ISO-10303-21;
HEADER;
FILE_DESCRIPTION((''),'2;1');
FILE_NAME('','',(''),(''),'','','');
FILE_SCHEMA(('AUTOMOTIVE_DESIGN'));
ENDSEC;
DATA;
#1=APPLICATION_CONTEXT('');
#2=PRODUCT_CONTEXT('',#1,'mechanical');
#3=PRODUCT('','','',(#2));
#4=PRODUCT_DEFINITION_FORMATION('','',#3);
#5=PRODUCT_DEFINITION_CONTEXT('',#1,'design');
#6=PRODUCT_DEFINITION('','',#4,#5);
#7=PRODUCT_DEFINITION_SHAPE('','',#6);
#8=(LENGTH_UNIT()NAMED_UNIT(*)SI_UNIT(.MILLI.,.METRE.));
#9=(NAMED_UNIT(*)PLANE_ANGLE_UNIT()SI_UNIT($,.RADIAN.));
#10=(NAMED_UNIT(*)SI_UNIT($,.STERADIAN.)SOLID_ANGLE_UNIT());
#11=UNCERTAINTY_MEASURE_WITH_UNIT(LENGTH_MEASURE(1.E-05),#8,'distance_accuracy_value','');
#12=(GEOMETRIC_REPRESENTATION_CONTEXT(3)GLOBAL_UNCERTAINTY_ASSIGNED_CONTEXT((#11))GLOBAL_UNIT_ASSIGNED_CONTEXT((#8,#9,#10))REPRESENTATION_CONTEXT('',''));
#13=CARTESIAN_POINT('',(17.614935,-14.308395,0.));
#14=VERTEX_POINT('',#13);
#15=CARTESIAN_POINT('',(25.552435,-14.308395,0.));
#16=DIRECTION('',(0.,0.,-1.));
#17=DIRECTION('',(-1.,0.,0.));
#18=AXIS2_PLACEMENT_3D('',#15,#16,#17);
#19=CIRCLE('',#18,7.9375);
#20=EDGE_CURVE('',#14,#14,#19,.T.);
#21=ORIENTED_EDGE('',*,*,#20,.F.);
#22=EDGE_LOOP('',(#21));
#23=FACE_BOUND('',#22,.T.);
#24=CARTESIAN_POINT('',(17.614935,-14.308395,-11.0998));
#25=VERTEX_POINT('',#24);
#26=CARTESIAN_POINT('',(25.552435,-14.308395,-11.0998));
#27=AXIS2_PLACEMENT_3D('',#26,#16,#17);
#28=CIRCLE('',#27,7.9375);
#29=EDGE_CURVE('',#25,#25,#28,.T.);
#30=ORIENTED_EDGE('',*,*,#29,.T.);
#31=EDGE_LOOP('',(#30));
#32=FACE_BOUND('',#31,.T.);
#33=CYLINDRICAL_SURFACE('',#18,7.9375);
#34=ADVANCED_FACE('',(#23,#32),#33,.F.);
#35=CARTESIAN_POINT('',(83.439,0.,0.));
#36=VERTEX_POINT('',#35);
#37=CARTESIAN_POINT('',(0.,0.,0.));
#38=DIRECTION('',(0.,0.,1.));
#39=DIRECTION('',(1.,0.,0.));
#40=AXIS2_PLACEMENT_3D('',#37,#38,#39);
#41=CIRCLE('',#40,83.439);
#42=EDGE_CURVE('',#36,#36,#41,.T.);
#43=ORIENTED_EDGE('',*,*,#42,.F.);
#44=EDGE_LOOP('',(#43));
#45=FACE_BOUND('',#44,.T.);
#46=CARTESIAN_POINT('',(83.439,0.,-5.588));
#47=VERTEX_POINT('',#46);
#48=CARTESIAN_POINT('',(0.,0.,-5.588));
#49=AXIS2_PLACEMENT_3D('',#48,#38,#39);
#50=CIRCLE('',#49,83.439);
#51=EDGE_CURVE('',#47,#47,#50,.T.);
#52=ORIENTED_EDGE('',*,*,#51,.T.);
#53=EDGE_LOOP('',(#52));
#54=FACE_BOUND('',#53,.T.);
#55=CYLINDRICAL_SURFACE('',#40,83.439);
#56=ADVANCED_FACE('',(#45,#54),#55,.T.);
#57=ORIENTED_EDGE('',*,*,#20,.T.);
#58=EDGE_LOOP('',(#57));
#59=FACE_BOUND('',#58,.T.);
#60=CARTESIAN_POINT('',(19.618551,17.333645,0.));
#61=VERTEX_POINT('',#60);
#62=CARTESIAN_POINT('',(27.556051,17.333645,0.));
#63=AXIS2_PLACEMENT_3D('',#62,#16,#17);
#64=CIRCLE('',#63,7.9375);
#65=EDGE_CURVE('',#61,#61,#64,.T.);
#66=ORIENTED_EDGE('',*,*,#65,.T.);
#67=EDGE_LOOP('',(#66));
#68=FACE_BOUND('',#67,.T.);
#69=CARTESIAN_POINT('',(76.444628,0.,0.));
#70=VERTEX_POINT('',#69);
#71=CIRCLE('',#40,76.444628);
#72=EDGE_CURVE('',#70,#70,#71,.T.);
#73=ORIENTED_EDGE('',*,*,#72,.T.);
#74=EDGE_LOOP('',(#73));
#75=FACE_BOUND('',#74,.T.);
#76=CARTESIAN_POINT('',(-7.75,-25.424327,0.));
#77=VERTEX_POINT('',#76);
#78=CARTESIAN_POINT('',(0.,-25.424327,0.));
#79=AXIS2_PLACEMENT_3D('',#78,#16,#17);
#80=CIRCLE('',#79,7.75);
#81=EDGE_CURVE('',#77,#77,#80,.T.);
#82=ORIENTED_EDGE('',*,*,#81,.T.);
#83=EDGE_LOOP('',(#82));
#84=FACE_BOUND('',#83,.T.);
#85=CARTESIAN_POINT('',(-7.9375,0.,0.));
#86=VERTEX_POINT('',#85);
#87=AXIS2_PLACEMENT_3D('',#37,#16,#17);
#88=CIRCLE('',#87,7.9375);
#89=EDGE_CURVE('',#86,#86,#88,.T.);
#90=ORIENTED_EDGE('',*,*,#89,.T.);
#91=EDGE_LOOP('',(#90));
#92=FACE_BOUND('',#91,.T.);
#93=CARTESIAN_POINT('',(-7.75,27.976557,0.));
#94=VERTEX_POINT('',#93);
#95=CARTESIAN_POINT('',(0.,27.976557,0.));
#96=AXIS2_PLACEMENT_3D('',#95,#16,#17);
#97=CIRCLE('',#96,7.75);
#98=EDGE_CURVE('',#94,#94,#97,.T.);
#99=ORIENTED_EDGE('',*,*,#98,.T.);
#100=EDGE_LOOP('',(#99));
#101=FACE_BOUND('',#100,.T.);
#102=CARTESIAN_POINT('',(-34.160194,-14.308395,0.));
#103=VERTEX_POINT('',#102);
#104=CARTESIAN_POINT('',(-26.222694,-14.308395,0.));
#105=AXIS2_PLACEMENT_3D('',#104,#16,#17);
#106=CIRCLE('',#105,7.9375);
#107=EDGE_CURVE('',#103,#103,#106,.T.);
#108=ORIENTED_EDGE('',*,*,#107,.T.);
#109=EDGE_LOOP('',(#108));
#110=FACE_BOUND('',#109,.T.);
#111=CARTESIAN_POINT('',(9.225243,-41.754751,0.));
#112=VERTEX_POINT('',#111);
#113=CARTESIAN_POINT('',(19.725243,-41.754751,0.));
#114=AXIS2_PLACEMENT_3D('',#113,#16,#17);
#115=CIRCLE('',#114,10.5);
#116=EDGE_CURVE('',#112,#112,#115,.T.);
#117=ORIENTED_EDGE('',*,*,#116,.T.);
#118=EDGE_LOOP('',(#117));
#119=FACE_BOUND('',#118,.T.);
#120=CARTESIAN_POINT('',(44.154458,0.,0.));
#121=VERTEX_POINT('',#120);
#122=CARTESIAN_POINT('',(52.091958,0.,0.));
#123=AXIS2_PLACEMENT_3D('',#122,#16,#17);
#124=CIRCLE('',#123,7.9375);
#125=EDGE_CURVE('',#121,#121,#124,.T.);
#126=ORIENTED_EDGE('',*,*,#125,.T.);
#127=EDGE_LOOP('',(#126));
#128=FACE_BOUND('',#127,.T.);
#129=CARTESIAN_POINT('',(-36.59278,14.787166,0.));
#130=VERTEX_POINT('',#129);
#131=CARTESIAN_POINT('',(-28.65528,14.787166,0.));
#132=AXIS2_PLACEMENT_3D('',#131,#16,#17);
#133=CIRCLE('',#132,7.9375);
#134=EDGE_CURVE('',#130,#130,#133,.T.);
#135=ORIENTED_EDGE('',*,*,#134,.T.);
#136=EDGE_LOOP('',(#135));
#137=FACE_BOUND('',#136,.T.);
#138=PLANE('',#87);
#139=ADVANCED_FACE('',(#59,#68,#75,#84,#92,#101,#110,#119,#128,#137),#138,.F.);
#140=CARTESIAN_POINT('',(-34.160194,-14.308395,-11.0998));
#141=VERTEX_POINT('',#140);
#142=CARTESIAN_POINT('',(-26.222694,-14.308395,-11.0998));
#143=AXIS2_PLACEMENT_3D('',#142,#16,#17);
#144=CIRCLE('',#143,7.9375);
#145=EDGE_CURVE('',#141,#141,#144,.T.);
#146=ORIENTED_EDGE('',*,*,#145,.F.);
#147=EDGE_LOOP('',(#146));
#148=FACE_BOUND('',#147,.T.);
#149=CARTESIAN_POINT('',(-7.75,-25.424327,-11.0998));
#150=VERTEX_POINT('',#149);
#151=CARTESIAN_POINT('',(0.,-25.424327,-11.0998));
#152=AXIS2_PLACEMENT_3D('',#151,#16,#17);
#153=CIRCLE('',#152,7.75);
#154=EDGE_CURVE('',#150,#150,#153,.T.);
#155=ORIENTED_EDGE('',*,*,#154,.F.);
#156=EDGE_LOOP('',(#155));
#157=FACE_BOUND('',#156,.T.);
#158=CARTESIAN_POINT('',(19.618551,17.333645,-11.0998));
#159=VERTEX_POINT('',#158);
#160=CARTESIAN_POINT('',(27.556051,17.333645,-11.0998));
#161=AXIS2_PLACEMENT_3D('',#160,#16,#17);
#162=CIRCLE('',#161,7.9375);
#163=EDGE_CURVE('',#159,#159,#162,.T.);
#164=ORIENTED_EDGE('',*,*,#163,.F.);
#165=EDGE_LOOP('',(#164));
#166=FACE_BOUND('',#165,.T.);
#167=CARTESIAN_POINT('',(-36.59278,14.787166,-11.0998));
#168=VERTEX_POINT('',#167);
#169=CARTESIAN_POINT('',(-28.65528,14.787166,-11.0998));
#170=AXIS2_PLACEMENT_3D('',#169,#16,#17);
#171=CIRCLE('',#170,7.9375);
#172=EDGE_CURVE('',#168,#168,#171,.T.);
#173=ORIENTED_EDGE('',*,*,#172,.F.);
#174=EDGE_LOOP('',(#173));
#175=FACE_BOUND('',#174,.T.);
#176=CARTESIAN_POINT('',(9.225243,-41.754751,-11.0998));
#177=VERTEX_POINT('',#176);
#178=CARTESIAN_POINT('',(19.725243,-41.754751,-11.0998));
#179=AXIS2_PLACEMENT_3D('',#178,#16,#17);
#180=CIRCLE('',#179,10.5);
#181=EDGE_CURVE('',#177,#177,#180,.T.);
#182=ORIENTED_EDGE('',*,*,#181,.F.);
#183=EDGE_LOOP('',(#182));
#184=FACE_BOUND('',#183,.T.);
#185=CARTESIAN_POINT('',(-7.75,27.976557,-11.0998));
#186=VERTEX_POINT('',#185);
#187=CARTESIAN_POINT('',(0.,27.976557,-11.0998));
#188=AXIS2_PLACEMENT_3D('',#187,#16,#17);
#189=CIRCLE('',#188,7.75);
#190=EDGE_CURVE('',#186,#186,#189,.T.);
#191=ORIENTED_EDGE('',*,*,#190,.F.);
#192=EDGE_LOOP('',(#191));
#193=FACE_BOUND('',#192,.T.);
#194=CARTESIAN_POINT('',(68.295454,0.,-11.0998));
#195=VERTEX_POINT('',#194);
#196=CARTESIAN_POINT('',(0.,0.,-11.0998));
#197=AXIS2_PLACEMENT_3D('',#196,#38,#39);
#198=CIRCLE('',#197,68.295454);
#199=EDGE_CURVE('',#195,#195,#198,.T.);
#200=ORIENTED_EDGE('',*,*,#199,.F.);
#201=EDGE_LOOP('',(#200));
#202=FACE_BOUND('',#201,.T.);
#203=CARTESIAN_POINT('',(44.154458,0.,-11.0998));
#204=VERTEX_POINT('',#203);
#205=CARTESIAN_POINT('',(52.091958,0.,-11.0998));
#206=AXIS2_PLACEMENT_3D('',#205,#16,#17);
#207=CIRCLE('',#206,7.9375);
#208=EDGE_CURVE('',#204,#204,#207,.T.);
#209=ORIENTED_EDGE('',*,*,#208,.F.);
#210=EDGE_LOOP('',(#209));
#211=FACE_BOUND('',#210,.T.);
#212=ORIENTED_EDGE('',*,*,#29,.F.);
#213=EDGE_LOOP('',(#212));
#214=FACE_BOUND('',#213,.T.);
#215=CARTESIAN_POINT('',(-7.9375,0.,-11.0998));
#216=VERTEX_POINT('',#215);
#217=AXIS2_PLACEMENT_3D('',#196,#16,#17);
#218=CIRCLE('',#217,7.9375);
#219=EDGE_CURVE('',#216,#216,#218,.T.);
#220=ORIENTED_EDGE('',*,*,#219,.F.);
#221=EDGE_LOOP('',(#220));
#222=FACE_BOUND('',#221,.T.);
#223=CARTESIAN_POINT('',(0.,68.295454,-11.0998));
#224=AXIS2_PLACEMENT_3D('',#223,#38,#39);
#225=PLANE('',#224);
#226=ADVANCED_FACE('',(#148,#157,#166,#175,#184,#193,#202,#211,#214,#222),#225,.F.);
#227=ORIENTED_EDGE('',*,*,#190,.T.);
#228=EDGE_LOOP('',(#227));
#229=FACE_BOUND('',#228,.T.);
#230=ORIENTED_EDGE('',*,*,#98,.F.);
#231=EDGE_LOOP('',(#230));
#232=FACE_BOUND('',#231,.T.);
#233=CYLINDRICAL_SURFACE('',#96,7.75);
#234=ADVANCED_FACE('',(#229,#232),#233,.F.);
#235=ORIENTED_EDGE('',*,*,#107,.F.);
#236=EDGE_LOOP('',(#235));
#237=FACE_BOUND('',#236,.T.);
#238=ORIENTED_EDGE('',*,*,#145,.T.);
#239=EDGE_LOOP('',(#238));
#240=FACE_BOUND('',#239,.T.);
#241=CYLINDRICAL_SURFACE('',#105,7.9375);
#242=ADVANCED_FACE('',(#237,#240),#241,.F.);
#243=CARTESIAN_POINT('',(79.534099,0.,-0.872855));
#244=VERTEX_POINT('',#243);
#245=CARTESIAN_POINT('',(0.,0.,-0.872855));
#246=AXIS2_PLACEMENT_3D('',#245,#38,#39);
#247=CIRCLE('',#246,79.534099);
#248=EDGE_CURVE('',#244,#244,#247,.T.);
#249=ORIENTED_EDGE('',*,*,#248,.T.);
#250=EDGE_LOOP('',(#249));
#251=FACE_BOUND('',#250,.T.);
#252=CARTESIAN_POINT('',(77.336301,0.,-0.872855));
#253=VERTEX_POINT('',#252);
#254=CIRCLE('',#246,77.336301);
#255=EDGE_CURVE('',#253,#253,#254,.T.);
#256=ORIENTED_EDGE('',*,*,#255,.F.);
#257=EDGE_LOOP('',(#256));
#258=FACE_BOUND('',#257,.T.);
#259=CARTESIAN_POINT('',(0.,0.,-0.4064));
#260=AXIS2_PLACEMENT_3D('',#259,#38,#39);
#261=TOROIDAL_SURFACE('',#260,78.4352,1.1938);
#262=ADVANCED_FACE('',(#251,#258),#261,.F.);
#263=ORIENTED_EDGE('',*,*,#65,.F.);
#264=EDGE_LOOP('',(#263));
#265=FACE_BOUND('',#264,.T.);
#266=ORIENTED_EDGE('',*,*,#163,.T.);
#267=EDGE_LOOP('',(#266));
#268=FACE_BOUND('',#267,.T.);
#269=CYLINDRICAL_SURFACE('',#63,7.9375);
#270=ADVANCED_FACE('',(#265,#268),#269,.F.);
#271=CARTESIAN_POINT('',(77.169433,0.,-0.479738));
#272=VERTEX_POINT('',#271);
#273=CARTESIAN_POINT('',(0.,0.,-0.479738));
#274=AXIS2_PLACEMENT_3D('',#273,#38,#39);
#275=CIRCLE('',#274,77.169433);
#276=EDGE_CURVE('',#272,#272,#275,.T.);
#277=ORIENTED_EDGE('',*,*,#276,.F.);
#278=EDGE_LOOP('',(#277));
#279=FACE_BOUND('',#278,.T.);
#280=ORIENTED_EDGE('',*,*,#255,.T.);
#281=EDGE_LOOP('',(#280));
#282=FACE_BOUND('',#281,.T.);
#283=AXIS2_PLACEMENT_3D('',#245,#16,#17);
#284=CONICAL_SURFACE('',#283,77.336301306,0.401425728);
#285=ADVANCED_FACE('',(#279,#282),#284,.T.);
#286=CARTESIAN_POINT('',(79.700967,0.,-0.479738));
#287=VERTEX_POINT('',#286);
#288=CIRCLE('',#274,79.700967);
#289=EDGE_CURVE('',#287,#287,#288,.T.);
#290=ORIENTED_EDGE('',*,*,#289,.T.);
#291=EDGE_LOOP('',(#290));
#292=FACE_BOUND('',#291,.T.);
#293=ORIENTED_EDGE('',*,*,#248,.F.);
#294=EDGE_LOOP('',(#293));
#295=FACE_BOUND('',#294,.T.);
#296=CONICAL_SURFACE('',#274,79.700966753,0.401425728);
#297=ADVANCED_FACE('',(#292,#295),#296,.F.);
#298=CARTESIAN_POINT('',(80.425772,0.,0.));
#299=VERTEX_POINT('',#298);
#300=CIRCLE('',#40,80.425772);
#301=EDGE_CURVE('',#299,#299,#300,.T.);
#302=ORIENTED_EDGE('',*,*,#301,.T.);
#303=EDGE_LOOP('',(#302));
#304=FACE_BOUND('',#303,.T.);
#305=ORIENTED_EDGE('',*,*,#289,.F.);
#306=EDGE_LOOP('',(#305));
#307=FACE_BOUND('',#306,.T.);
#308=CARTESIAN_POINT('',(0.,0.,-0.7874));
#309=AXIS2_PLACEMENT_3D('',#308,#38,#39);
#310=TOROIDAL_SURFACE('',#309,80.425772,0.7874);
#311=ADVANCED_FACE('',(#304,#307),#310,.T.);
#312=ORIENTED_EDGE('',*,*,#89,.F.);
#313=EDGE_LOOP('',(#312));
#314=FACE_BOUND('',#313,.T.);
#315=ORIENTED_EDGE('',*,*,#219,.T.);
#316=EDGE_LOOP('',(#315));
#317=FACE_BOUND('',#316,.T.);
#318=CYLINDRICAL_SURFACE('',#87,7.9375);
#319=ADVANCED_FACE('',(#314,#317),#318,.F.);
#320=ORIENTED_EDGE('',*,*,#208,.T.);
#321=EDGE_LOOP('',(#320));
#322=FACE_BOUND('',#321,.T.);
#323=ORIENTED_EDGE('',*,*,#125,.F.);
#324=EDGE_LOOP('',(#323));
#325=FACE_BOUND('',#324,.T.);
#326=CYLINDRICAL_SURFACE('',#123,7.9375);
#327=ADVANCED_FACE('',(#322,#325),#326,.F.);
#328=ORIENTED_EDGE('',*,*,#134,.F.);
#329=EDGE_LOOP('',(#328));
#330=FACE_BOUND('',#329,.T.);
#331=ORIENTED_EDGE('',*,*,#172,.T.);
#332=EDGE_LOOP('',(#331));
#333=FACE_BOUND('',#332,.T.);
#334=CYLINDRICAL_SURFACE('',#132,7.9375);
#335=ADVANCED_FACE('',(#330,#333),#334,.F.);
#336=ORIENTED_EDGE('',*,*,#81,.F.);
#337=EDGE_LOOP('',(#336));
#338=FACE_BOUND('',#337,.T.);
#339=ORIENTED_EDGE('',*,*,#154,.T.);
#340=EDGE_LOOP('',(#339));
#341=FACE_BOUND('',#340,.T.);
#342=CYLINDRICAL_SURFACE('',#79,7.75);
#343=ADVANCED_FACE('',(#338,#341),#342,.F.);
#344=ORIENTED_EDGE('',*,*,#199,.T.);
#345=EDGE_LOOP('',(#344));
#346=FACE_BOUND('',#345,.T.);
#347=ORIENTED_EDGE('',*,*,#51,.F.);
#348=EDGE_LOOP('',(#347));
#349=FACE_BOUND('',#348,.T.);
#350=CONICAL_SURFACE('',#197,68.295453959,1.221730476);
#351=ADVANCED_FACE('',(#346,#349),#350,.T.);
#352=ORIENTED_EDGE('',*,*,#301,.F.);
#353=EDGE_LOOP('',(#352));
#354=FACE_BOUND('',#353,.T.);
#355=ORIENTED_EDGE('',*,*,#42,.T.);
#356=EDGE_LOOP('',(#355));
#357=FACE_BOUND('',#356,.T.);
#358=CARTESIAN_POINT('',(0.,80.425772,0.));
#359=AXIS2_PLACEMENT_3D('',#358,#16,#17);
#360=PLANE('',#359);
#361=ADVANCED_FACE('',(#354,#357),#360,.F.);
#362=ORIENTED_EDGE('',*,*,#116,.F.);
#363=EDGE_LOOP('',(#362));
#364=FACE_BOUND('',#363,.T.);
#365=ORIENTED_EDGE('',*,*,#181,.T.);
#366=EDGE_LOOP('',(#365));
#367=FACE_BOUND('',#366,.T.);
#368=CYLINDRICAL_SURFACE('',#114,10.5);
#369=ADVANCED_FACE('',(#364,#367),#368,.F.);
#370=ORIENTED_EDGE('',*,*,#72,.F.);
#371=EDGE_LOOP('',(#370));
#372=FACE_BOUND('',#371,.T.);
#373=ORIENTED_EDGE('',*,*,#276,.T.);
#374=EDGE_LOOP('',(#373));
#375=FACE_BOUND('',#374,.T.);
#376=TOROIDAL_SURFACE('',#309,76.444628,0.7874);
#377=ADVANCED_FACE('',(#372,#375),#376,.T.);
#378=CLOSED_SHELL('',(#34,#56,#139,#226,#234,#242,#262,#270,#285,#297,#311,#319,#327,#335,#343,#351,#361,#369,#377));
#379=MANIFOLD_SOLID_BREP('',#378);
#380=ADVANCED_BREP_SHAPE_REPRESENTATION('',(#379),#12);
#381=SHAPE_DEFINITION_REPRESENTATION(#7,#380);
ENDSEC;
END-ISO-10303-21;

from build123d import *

# Parameters (mm, degrees)
SKETCH2_R          = 7.9375
SKETCH2_R_2        = 7.75
SKETCH2_R_3        = 10.5
CUT_EXTRUDE1_DEPTH = 119.521470637


with BuildPart() as part:
    # Sketch1 → Revolve1 (revolve)
    with BuildSketch(Plane(origin=(0, 0, 0), x_dir=(0, 0, -1), z_dir=(1, 0, 0)), mode=Mode.PRIVATE) as revolve1_sk:
        with BuildLine():
            Line((0, 0), (0, 76.444627725))
            ThreePointArc((0, 76.444627725), (0.130798304, 76.879222907), (0.479738309, 77.169433247))
            Line((0.479738309, 77.169433247), (0.872854821, 77.336301306))
            ThreePointArc((0.872854821, 77.336301306), (1.6002, 78.4352), (0.872854821, 79.534098694))
            Line((0.872854821, 79.534098694), (0.479738309, 79.700966753))
            ThreePointArc((0.479738309, 79.700966753), (0.130798304, 79.991177093), (0, 80.425772275))
            Line((0, 80.425772275), (0, 83.439))
            Line((0, 83.439), (5.588, 83.439))
            Line((5.588, 83.439), (11.0998, 68.295453959))
            Line((11.0998, 68.295453959), (11.0998, 0))
            Line((11.0998, 0), (0, 0))
        make_face()
    revolve(revolve1_sk.sketch.rotate(Axis((0, 0, 0), (0, 0, -1)), 90), axis=Axis((0, 0, 0), (0, 0, -1)))

    # Sketch2 → Cut-Extrude1 (cut, through all)
    with BuildSketch(Plane(origin=(0, 0, -11.0998), x_dir=(-1, 0, 0), z_dir=(0, 0, -1))):
        Circle(SKETCH2_R)
        with Locations((0, 27.9765569)):
            Circle(SKETCH2_R_2)
        with Locations((-25.552434697, -14.308394833)):
            Circle(SKETCH2_R)
        with Locations((-52.091958056, 0)):
            Circle(SKETCH2_R)
        with Locations((26.222693633, -14.308394833)):
            Circle(SKETCH2_R)
        with Locations((-27.556050936, 17.333644944)):
            Circle(SKETCH2_R)
        with Locations((28.655279996, 14.787165533)):
            Circle(SKETCH2_R)
        with Locations((0, -25.424326978)):
            Circle(SKETCH2_R_2)
        with Locations((-19.725243494, -41.754750634)):
            Circle(SKETCH2_R_3)
    extrude(amount=-CUT_EXTRUDE1_DEPTH, mode=Mode.SUBTRACT)


solid = part.part
